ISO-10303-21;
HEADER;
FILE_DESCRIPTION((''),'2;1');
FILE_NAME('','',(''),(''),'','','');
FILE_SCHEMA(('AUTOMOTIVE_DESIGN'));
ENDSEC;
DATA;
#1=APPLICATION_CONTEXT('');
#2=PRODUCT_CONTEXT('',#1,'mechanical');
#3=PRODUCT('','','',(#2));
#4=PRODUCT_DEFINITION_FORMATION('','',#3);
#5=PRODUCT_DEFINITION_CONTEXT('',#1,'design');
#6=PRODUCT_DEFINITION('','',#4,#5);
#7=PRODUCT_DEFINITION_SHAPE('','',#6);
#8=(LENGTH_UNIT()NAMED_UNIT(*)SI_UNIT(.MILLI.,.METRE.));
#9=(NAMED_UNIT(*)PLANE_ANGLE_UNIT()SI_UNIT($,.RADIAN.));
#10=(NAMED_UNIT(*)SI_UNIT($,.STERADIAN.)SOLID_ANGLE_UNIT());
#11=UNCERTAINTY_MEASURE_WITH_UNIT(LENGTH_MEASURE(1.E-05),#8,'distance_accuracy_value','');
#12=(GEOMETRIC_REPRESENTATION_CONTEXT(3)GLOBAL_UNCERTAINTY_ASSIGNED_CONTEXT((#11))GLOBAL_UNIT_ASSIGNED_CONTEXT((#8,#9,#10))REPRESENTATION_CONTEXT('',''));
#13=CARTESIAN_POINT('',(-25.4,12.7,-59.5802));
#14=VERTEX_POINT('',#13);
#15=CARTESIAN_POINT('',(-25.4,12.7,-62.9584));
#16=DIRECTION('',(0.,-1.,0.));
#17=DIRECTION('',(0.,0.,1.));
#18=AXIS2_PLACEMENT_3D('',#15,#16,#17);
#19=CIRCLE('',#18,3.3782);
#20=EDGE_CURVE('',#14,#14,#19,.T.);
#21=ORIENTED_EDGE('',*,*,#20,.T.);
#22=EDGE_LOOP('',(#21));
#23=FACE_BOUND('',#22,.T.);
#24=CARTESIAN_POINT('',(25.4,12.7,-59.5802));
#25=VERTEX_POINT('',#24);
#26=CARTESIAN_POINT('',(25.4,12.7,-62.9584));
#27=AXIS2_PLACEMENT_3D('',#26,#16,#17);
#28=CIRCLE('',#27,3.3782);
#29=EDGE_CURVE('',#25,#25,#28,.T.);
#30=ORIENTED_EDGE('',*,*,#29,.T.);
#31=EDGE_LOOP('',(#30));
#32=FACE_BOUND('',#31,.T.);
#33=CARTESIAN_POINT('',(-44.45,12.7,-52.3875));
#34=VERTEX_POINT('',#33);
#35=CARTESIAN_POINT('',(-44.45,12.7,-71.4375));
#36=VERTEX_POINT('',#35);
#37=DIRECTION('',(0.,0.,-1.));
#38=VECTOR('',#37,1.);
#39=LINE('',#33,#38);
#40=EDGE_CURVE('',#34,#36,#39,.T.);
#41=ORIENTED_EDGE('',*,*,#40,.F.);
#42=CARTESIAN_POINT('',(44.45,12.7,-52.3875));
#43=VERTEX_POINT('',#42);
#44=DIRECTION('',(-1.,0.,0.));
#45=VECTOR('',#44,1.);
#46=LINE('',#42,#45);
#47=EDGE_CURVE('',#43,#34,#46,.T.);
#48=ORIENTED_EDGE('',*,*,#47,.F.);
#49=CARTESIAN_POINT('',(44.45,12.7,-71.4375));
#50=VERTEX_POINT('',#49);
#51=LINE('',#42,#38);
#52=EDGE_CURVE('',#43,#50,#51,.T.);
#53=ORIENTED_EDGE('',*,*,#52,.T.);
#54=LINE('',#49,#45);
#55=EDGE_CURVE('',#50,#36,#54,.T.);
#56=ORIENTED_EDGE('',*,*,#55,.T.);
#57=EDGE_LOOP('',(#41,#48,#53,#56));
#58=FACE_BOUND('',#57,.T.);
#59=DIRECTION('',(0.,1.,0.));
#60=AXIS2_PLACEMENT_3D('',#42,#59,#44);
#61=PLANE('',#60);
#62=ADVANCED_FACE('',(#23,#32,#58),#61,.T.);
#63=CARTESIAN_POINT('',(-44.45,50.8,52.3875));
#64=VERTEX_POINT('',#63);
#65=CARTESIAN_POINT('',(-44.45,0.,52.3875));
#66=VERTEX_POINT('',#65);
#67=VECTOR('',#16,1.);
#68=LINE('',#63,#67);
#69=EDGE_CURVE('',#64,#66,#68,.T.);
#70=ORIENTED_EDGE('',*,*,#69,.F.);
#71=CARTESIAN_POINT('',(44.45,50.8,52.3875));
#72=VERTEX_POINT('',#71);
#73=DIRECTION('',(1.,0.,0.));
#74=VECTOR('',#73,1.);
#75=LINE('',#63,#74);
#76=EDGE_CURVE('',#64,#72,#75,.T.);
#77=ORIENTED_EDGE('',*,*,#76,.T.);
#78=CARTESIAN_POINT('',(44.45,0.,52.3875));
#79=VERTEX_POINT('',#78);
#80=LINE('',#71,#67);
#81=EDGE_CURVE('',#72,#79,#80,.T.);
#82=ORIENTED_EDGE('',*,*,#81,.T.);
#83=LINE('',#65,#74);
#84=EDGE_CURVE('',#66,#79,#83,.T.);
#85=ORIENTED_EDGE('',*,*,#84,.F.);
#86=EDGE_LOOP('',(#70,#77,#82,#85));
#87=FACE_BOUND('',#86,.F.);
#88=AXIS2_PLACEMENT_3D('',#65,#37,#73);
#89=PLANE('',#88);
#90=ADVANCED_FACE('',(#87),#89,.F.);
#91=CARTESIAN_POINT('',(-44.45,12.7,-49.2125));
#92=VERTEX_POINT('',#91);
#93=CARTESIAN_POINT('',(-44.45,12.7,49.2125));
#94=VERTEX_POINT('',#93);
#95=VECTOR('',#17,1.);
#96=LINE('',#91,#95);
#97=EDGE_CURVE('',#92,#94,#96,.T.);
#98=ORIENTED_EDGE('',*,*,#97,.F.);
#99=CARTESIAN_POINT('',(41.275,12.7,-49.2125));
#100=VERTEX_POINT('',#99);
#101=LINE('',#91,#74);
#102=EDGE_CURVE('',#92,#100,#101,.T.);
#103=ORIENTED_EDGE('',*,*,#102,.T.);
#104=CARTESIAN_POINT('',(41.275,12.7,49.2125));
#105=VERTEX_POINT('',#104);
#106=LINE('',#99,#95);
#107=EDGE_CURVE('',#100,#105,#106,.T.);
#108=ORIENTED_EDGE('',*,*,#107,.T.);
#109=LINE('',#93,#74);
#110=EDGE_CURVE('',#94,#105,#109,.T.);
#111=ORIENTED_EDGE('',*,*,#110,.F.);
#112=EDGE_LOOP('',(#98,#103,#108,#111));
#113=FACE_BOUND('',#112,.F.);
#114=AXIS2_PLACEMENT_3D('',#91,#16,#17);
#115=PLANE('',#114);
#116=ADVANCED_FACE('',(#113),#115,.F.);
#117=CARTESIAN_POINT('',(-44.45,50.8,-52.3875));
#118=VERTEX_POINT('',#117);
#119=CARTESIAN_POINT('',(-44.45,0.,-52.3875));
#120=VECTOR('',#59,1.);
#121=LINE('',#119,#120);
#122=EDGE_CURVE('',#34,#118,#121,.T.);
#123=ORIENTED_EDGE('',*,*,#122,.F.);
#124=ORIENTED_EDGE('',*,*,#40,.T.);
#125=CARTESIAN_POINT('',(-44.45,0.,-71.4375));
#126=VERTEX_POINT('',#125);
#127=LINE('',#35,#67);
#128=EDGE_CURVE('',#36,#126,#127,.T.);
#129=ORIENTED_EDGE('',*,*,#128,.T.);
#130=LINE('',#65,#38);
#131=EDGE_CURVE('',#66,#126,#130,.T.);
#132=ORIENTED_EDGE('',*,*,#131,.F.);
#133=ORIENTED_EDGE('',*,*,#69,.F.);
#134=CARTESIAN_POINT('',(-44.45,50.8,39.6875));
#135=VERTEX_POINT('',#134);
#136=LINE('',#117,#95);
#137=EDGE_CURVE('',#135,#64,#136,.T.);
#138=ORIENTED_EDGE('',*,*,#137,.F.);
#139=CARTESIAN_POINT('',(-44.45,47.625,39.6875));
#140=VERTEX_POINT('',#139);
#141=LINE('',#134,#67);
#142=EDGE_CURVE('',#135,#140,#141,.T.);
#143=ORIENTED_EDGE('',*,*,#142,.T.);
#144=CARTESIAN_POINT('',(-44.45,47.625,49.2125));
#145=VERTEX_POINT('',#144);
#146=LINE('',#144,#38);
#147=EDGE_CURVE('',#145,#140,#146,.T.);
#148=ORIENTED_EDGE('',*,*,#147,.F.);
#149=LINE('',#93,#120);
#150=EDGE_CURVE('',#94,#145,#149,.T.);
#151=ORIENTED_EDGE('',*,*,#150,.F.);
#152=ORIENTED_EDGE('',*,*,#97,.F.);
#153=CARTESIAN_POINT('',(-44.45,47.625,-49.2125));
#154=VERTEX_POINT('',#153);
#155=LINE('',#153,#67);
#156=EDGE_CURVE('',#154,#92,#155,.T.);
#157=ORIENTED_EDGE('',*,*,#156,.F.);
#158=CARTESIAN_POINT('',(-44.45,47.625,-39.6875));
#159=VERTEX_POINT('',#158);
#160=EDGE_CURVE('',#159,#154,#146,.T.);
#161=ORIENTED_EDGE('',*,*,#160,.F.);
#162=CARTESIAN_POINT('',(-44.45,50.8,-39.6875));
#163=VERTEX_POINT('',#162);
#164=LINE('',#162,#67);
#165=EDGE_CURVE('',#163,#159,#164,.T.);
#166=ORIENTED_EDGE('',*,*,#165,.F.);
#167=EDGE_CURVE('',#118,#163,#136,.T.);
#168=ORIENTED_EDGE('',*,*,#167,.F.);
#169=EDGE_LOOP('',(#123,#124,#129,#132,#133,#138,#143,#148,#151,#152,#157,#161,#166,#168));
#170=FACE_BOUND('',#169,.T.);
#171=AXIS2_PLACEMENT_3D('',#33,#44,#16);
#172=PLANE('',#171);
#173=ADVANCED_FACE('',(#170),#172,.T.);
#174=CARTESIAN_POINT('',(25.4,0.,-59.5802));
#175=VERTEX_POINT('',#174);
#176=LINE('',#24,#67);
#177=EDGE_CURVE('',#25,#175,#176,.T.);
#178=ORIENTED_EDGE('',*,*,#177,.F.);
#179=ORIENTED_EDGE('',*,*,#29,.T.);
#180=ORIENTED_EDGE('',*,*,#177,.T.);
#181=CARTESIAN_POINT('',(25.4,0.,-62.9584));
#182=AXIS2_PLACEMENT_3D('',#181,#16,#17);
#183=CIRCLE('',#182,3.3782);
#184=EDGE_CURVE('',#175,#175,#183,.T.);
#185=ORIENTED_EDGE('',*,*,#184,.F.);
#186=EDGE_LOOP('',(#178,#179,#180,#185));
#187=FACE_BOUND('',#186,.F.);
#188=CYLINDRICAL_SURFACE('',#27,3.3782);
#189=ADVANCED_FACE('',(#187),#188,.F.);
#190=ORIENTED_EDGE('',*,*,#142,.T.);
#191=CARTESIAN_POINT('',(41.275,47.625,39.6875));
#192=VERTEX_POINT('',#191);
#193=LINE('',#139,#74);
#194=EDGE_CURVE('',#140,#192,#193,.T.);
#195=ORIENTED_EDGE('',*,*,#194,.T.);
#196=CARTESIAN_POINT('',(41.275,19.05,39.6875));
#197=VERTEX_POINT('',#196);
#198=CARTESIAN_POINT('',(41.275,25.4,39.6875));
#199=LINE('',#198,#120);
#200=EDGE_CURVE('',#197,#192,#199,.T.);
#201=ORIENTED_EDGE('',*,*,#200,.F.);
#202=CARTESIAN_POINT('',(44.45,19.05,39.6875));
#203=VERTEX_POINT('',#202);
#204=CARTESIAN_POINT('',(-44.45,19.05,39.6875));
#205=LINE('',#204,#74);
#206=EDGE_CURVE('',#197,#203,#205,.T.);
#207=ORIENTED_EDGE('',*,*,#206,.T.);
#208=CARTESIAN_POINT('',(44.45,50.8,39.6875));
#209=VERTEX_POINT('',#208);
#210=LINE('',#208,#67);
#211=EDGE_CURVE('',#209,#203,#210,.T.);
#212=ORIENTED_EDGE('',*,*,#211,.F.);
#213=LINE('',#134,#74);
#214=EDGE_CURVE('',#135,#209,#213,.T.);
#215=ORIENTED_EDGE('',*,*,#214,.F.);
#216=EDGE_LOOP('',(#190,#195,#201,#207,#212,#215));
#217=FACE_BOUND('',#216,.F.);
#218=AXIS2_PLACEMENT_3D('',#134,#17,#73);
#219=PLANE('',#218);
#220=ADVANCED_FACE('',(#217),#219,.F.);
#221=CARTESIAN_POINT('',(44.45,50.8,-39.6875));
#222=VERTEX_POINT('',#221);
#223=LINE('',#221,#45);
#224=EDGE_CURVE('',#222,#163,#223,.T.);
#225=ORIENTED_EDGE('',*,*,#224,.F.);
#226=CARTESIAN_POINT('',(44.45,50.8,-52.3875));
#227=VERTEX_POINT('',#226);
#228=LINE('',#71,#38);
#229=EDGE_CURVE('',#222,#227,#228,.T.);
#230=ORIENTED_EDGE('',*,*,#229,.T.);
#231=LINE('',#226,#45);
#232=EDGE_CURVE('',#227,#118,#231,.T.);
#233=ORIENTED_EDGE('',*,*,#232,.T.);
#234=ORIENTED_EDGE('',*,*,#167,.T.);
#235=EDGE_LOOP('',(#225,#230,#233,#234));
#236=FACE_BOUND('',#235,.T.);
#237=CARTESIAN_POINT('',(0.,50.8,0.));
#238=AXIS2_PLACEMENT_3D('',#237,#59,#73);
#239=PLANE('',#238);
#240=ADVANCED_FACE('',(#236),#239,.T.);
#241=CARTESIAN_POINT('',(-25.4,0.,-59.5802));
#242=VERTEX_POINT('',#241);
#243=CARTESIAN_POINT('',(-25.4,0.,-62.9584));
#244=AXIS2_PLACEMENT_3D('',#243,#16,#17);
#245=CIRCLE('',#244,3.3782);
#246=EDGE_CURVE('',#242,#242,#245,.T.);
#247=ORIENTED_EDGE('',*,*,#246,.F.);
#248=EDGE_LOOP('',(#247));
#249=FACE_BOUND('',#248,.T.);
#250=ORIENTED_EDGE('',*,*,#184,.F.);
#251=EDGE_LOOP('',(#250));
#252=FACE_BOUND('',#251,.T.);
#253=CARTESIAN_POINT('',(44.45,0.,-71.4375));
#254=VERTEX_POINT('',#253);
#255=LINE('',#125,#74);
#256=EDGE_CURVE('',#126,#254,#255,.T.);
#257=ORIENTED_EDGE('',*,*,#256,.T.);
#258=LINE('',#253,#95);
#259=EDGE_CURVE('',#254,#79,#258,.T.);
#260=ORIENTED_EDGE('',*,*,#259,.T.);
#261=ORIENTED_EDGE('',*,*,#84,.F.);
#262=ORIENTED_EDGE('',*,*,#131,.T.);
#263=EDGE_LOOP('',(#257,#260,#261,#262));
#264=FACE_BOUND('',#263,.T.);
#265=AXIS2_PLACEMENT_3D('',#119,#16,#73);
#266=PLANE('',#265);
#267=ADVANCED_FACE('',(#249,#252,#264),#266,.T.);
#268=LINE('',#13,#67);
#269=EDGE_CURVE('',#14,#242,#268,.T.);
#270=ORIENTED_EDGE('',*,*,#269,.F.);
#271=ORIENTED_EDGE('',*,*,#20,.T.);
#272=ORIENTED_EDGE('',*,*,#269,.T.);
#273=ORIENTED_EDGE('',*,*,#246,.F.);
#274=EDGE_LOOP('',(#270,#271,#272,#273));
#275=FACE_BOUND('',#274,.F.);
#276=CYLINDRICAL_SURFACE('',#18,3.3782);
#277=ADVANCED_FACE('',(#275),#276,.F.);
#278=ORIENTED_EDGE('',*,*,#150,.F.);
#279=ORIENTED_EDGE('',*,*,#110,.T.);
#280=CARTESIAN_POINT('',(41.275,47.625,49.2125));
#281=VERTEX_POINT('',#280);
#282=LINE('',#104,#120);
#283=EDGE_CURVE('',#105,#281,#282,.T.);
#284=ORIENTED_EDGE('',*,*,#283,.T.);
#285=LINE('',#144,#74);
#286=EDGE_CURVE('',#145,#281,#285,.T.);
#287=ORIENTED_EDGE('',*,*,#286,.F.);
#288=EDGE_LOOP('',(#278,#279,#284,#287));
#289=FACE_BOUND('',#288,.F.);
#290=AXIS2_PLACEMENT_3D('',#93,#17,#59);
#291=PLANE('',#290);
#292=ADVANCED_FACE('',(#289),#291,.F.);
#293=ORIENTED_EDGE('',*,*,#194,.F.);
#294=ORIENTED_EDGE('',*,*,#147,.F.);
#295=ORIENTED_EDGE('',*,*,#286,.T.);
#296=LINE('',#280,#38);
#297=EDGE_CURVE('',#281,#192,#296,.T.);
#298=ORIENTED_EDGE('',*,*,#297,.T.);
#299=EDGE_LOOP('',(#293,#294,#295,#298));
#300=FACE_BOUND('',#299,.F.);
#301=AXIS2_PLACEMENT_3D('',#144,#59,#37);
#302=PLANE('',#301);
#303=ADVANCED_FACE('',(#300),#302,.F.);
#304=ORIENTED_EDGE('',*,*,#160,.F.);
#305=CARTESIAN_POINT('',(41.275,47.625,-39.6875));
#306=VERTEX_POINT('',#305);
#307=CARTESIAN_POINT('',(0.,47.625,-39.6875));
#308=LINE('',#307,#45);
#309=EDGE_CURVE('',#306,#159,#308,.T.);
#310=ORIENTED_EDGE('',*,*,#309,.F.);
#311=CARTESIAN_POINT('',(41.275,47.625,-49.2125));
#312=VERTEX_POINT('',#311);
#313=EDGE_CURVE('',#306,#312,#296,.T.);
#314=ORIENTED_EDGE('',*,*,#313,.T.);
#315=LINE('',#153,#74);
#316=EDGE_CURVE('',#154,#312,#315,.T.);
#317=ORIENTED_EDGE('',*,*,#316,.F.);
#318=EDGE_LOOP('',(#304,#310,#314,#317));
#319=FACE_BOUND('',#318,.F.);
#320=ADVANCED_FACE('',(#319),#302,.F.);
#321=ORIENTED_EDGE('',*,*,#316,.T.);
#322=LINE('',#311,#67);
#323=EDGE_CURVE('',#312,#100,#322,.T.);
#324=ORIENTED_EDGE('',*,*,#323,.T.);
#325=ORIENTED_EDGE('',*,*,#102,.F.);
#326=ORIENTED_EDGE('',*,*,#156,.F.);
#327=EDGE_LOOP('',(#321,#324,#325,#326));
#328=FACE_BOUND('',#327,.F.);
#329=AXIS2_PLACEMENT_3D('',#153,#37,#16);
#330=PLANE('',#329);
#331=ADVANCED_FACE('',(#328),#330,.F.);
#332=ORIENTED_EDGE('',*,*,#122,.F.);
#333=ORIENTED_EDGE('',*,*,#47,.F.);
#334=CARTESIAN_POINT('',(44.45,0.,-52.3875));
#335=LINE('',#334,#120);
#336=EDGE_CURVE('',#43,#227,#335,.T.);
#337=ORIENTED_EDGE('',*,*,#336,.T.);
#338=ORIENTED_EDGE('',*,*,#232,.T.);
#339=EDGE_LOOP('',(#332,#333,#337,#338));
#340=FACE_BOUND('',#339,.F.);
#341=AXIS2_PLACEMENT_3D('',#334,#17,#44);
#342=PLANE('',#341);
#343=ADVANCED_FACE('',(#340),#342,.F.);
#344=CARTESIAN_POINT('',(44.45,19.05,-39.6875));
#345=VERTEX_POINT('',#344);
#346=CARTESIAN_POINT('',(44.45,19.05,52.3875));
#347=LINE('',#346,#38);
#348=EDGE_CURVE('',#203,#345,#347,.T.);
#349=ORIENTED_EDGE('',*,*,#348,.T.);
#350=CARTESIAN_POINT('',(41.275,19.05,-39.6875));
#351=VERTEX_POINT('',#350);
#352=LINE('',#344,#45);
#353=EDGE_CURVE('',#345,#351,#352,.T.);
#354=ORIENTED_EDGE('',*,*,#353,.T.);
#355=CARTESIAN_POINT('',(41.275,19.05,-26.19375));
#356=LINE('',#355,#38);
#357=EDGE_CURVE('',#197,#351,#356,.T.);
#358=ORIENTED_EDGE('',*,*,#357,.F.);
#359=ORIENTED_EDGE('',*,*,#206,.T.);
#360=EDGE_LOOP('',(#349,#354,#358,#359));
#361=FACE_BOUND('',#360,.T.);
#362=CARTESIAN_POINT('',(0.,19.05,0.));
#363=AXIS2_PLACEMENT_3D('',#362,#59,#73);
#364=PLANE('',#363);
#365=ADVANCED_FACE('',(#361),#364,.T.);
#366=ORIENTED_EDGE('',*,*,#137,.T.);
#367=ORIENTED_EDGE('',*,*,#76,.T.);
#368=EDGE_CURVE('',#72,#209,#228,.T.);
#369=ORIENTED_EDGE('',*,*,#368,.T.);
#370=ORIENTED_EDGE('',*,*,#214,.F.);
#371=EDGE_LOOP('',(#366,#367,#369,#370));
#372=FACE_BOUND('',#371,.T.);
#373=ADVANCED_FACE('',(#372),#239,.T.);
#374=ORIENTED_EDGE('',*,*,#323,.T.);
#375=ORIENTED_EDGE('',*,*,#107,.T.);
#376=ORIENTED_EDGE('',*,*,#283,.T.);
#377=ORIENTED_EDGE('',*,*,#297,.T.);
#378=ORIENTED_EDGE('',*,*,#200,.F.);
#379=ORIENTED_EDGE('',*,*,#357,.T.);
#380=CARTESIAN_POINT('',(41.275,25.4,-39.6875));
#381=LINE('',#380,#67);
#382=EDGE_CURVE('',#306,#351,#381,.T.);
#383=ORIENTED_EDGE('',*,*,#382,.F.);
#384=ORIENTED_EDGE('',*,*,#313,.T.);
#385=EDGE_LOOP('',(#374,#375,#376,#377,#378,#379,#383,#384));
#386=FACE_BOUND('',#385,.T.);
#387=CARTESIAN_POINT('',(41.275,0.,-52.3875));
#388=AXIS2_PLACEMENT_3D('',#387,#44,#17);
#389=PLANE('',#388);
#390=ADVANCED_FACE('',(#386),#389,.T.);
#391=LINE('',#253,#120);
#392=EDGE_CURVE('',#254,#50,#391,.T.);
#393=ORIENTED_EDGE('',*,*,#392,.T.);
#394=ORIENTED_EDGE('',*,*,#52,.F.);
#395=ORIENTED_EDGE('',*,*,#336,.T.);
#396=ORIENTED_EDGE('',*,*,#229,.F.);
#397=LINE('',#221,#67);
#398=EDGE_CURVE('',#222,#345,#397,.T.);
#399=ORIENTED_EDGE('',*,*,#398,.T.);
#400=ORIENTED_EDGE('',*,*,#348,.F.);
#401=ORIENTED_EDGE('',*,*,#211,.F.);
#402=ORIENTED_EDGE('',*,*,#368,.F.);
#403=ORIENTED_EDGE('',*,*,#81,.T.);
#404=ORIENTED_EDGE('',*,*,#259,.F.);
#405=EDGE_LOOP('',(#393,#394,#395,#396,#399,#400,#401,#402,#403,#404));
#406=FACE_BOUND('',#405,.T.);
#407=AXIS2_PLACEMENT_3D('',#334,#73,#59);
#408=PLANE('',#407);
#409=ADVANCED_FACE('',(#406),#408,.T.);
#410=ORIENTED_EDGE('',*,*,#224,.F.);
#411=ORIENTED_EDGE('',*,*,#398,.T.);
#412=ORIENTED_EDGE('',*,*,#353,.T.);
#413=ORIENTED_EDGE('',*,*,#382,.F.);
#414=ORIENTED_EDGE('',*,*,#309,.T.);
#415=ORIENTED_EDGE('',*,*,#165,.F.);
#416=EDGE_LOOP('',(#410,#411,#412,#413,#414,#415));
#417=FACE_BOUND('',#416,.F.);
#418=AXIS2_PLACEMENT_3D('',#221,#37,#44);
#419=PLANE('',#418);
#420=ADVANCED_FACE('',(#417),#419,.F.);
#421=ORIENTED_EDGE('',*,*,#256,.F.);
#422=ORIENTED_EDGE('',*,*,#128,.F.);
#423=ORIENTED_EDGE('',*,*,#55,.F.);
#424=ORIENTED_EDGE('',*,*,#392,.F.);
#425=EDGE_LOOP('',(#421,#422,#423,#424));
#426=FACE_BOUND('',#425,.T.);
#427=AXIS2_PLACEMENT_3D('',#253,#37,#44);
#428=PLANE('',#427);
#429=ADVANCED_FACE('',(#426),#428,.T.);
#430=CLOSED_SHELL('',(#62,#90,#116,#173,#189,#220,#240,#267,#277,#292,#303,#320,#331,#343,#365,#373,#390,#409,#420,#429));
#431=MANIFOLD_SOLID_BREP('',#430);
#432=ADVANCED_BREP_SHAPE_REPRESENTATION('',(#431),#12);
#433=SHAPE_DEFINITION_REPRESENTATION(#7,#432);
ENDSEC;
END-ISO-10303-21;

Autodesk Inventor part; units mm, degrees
ref_plane "YZ Plane" through (0, 0, 0) normal (1, 0, 0) x (0, 1, 0)
ref_plane "XZ Plane" through (0, 0, 0) normal (0, 1, 0) x (-1, 0, 0)
ref_plane "XY Plane" through (0, 0, 0) normal (0, 0, 1) x (1, 0, 0)
sketch "Sketch1" plane through (0, 0, 0) normal (0, 1, 0) x (-1, 0, 0)
  line L0 (-44.45, -52.3875) -> (44.45, -52.3875)
  line L1 (44.45, -52.3875) -> (44.45, 52.3875)
  line L2 (44.45, 52.3875) -> (-44.45, 52.3875)
  line L3 (-44.45, 52.3875) -> (-44.45, -52.3875)
  line L4 (-44.45, -52.3875) -> (44.45, 52.3875) construction
  line L5 (44.45, -52.3875) -> (-44.45, 52.3875) construction
  point P0 (0, 0)
  dimension "d0" = 104.775
  dimension "d1" = 88.9
extrude "Extrusion1" add sketch "Sketch1" along normal blind 12.7
sketch "Sketch2" plane through (0, 12.7, 0) normal (0, 1, 0) x (1, 0, 0)
  line L0 (44.45, 52.3875) -> (-44.45, 52.3875) projected
  line L1 (-44.45, 52.3875) -> (-44.45, -52.3875) projected
  line L2 (44.45, 52.3875) -> (-44.45, 52.3875)
  line L3 (-44.45, 52.3875) -> (-44.45, -52.3875)
  line L4 (-44.45, -52.3875) -> (44.45, -52.3875)
  line L5 (44.45, -52.3875) -> (44.45, 52.3875)
  point P0 (0, 0)
  dimension "d4" = 104.775
extrude "Extrusion2" add sketch "Sketch2" along normal blind 38.1
sketch "Sketch4" plane through (-44.45, 0, -52.3875) normal (-1, 0, 0) x (0, 0, 1)
  line L0 (101.6, 47.625) -> (3.175, 47.625)
  line L1 (3.175, 47.625) -> (3.175, 12.7)
  line L2 (3.175, 12.7) -> (101.6, 12.7)
  line L3 (101.6, 12.7) -> (101.6, 47.625)
  line L4 (0, 0) -> (0, 50.8) projected
  line L5 (0, 50.8) -> (104.775, 50.8) projected
  line L6 (104.775, 12.7) -> (104.775, 50.8)
  line L7 (0, 0) -> (104.775, 0) projected
  point P0 (52.3875, 0)
  dimension "d11" = 3.175
  dimension "d12" = 3.175
  dimension "d14" = 12.7
  dimension "d33" = 3.175
extrude "Extrusion3" cut sketch "Sketch4" against normal blind 85.725
sketch "Sketch5" plane through (0, 50.8, 0) normal (0, 1, 0) x (1, 0, 0)
  line L0 (-44.45, 52.3875) -> (-44.45, -52.3875) projected
  line L1 (44.45, -52.3875) -> (44.45, 52.3875) projected
  line L2 (-44.45, -39.6875) -> (44.45, -39.6875)
  line L3 (44.45, -39.6875) -> (44.45, 39.6875)
  line L4 (44.45, 39.6875) -> (-44.45, 39.6875)
  line L5 (-44.45, 39.6875) -> (-44.45, -39.6875)
  line L6 (44.45, 52.3875) -> (-44.45, 52.3875) projected
  line L7 (-44.45, -52.3875) -> (44.45, -52.3875) projected
  point P0 (0, 0)
  dimension "d17" = 12.7
  dimension "d18" = 12.7
extrude "Extrusion4" cut sketch "Sketch5" against normal blind 31.75 contours L4 L1 L2 L0
sketch "Sketch7" plane through (44.45, 0, -52.3875) normal (0, 0, -1) x (-1, 0, 0)
  line L0 (88.9, 0) -> (0, 0) projected
  line L1 (0, 0) -> (0, 50.8) projected
  line L2 (88.9, 0) -> (0, 0)
  line L3 (0, 0) -> (0, 12.7)
  line L4 (0, 12.7) -> (88.9, 12.7)
  line L5 (88.9, 12.7) -> (88.9, 0)
  point P0 (44.45, 0)
  dimension "d30" = 12.7
extrude "Extrusion5" add sketch "Sketch7" along normal blind 19.05
sketch "Sketch8" plane through (-44.45, 12.7, -52.3875) normal (0, 1, 0) x (1, 0, 0)
  line L0 (0, 0) -> (0, 19.05) projected
  line L1 (88.9, 0) -> (88.9, 19.05) projected
  point P0 (44.45, -52.3875)
  point P1 (19.05, 10.5709)
  point P2 (69.85, 10.5709)
  dimension "d34" = 50.8
  dimension "d36" = 19.05
hole "Hole2" at (-25.4, 12.7, -62.9584) at (25.4, 12.7, -62.9584) direction (0, -1, 0) diameter 6.7564 end through all clearance for "Flat Head Machine Screw (82)" size "1/4" standard "Ansi Unified Screw Threads"
properties part number "KVM Holder Left"
